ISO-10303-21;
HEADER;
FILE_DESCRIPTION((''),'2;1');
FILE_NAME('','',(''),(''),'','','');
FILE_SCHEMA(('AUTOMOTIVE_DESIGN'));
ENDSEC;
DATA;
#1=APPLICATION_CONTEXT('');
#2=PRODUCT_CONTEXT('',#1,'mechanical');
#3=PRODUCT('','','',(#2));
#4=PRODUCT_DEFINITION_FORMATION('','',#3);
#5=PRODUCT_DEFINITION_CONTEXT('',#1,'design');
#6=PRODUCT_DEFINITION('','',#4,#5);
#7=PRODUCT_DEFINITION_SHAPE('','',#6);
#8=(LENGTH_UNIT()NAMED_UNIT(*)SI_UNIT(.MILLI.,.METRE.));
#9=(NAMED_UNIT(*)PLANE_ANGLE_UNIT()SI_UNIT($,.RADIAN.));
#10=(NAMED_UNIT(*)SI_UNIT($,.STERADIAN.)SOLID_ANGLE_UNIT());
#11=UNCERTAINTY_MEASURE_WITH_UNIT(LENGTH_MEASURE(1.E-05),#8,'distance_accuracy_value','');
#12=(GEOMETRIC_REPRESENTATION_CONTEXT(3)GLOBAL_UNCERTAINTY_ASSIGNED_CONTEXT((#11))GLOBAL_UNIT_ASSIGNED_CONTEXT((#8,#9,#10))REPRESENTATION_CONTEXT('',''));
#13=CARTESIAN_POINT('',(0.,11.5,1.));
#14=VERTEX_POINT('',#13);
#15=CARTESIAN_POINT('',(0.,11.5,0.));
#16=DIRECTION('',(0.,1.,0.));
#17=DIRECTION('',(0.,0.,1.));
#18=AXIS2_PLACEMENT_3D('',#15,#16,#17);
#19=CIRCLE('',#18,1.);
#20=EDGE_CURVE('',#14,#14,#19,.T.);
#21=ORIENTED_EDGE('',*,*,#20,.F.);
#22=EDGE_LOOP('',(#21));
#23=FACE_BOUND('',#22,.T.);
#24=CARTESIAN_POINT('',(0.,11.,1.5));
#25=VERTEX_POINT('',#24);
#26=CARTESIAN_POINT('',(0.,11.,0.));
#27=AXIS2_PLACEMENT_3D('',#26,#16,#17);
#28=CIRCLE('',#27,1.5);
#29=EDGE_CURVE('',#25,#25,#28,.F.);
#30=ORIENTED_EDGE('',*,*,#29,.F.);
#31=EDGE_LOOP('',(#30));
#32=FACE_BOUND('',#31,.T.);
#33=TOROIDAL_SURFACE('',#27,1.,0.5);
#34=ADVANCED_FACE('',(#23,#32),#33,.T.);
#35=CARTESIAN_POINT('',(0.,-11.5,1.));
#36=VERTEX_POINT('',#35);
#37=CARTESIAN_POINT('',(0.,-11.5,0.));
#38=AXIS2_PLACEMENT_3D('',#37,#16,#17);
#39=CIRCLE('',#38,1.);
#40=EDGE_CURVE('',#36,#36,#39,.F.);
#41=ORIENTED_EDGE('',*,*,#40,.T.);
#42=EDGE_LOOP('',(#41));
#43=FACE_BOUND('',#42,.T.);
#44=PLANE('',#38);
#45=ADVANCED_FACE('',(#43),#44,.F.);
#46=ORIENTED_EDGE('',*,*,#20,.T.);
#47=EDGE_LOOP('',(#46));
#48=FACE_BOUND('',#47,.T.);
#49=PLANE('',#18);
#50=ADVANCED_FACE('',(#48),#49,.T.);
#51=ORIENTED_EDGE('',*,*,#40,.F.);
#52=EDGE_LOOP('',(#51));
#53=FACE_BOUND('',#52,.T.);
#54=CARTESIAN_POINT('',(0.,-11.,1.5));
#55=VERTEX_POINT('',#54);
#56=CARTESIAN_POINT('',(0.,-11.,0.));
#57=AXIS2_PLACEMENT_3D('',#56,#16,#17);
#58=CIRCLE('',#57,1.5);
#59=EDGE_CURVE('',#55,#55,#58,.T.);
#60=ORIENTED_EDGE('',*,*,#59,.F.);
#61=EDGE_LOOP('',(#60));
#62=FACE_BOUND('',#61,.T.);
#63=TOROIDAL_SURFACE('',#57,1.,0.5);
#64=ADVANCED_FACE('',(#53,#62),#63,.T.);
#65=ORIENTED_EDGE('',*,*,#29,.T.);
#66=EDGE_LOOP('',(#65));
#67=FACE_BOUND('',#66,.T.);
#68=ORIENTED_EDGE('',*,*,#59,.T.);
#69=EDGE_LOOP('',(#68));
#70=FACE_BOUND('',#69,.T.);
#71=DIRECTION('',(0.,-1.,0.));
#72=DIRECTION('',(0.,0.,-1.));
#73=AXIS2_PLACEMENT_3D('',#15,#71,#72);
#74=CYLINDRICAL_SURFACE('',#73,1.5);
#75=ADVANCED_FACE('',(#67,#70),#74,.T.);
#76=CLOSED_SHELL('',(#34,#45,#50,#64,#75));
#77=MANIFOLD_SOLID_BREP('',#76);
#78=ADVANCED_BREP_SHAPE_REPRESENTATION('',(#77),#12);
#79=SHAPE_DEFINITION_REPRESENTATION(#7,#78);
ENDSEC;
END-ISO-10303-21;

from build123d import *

# Parameters (mm, degrees)
SKETCH_2_R      = 1.5
EXTRUDE_1_DEPTH = 11.5
FILLET_4_R      = 0.5


with BuildPart() as part:
    # 草图2 → 凸台-拉伸1 (new, symmetric)
    with BuildSketch(Plane(origin=(0, 0, 0), x_dir=(1, 0, 0), z_dir=(0, 1, 0))):
        with Locations(Location((0, 0, 0), (0, 0, 270))):
            Circle(SKETCH_2_R)
    extrude(amount=EXTRUDE_1_DEPTH, both=True)

    # 圆角4
    fillet_4_edges = [part.edges().sort_by_distance(p)[0] for p in [
        (0, -11.5, -1.5),
        (0, 11.5, -1.5),
    ]]
    fillet(fillet_4_edges, radius=FILLET_4_R)


solid = part.part
